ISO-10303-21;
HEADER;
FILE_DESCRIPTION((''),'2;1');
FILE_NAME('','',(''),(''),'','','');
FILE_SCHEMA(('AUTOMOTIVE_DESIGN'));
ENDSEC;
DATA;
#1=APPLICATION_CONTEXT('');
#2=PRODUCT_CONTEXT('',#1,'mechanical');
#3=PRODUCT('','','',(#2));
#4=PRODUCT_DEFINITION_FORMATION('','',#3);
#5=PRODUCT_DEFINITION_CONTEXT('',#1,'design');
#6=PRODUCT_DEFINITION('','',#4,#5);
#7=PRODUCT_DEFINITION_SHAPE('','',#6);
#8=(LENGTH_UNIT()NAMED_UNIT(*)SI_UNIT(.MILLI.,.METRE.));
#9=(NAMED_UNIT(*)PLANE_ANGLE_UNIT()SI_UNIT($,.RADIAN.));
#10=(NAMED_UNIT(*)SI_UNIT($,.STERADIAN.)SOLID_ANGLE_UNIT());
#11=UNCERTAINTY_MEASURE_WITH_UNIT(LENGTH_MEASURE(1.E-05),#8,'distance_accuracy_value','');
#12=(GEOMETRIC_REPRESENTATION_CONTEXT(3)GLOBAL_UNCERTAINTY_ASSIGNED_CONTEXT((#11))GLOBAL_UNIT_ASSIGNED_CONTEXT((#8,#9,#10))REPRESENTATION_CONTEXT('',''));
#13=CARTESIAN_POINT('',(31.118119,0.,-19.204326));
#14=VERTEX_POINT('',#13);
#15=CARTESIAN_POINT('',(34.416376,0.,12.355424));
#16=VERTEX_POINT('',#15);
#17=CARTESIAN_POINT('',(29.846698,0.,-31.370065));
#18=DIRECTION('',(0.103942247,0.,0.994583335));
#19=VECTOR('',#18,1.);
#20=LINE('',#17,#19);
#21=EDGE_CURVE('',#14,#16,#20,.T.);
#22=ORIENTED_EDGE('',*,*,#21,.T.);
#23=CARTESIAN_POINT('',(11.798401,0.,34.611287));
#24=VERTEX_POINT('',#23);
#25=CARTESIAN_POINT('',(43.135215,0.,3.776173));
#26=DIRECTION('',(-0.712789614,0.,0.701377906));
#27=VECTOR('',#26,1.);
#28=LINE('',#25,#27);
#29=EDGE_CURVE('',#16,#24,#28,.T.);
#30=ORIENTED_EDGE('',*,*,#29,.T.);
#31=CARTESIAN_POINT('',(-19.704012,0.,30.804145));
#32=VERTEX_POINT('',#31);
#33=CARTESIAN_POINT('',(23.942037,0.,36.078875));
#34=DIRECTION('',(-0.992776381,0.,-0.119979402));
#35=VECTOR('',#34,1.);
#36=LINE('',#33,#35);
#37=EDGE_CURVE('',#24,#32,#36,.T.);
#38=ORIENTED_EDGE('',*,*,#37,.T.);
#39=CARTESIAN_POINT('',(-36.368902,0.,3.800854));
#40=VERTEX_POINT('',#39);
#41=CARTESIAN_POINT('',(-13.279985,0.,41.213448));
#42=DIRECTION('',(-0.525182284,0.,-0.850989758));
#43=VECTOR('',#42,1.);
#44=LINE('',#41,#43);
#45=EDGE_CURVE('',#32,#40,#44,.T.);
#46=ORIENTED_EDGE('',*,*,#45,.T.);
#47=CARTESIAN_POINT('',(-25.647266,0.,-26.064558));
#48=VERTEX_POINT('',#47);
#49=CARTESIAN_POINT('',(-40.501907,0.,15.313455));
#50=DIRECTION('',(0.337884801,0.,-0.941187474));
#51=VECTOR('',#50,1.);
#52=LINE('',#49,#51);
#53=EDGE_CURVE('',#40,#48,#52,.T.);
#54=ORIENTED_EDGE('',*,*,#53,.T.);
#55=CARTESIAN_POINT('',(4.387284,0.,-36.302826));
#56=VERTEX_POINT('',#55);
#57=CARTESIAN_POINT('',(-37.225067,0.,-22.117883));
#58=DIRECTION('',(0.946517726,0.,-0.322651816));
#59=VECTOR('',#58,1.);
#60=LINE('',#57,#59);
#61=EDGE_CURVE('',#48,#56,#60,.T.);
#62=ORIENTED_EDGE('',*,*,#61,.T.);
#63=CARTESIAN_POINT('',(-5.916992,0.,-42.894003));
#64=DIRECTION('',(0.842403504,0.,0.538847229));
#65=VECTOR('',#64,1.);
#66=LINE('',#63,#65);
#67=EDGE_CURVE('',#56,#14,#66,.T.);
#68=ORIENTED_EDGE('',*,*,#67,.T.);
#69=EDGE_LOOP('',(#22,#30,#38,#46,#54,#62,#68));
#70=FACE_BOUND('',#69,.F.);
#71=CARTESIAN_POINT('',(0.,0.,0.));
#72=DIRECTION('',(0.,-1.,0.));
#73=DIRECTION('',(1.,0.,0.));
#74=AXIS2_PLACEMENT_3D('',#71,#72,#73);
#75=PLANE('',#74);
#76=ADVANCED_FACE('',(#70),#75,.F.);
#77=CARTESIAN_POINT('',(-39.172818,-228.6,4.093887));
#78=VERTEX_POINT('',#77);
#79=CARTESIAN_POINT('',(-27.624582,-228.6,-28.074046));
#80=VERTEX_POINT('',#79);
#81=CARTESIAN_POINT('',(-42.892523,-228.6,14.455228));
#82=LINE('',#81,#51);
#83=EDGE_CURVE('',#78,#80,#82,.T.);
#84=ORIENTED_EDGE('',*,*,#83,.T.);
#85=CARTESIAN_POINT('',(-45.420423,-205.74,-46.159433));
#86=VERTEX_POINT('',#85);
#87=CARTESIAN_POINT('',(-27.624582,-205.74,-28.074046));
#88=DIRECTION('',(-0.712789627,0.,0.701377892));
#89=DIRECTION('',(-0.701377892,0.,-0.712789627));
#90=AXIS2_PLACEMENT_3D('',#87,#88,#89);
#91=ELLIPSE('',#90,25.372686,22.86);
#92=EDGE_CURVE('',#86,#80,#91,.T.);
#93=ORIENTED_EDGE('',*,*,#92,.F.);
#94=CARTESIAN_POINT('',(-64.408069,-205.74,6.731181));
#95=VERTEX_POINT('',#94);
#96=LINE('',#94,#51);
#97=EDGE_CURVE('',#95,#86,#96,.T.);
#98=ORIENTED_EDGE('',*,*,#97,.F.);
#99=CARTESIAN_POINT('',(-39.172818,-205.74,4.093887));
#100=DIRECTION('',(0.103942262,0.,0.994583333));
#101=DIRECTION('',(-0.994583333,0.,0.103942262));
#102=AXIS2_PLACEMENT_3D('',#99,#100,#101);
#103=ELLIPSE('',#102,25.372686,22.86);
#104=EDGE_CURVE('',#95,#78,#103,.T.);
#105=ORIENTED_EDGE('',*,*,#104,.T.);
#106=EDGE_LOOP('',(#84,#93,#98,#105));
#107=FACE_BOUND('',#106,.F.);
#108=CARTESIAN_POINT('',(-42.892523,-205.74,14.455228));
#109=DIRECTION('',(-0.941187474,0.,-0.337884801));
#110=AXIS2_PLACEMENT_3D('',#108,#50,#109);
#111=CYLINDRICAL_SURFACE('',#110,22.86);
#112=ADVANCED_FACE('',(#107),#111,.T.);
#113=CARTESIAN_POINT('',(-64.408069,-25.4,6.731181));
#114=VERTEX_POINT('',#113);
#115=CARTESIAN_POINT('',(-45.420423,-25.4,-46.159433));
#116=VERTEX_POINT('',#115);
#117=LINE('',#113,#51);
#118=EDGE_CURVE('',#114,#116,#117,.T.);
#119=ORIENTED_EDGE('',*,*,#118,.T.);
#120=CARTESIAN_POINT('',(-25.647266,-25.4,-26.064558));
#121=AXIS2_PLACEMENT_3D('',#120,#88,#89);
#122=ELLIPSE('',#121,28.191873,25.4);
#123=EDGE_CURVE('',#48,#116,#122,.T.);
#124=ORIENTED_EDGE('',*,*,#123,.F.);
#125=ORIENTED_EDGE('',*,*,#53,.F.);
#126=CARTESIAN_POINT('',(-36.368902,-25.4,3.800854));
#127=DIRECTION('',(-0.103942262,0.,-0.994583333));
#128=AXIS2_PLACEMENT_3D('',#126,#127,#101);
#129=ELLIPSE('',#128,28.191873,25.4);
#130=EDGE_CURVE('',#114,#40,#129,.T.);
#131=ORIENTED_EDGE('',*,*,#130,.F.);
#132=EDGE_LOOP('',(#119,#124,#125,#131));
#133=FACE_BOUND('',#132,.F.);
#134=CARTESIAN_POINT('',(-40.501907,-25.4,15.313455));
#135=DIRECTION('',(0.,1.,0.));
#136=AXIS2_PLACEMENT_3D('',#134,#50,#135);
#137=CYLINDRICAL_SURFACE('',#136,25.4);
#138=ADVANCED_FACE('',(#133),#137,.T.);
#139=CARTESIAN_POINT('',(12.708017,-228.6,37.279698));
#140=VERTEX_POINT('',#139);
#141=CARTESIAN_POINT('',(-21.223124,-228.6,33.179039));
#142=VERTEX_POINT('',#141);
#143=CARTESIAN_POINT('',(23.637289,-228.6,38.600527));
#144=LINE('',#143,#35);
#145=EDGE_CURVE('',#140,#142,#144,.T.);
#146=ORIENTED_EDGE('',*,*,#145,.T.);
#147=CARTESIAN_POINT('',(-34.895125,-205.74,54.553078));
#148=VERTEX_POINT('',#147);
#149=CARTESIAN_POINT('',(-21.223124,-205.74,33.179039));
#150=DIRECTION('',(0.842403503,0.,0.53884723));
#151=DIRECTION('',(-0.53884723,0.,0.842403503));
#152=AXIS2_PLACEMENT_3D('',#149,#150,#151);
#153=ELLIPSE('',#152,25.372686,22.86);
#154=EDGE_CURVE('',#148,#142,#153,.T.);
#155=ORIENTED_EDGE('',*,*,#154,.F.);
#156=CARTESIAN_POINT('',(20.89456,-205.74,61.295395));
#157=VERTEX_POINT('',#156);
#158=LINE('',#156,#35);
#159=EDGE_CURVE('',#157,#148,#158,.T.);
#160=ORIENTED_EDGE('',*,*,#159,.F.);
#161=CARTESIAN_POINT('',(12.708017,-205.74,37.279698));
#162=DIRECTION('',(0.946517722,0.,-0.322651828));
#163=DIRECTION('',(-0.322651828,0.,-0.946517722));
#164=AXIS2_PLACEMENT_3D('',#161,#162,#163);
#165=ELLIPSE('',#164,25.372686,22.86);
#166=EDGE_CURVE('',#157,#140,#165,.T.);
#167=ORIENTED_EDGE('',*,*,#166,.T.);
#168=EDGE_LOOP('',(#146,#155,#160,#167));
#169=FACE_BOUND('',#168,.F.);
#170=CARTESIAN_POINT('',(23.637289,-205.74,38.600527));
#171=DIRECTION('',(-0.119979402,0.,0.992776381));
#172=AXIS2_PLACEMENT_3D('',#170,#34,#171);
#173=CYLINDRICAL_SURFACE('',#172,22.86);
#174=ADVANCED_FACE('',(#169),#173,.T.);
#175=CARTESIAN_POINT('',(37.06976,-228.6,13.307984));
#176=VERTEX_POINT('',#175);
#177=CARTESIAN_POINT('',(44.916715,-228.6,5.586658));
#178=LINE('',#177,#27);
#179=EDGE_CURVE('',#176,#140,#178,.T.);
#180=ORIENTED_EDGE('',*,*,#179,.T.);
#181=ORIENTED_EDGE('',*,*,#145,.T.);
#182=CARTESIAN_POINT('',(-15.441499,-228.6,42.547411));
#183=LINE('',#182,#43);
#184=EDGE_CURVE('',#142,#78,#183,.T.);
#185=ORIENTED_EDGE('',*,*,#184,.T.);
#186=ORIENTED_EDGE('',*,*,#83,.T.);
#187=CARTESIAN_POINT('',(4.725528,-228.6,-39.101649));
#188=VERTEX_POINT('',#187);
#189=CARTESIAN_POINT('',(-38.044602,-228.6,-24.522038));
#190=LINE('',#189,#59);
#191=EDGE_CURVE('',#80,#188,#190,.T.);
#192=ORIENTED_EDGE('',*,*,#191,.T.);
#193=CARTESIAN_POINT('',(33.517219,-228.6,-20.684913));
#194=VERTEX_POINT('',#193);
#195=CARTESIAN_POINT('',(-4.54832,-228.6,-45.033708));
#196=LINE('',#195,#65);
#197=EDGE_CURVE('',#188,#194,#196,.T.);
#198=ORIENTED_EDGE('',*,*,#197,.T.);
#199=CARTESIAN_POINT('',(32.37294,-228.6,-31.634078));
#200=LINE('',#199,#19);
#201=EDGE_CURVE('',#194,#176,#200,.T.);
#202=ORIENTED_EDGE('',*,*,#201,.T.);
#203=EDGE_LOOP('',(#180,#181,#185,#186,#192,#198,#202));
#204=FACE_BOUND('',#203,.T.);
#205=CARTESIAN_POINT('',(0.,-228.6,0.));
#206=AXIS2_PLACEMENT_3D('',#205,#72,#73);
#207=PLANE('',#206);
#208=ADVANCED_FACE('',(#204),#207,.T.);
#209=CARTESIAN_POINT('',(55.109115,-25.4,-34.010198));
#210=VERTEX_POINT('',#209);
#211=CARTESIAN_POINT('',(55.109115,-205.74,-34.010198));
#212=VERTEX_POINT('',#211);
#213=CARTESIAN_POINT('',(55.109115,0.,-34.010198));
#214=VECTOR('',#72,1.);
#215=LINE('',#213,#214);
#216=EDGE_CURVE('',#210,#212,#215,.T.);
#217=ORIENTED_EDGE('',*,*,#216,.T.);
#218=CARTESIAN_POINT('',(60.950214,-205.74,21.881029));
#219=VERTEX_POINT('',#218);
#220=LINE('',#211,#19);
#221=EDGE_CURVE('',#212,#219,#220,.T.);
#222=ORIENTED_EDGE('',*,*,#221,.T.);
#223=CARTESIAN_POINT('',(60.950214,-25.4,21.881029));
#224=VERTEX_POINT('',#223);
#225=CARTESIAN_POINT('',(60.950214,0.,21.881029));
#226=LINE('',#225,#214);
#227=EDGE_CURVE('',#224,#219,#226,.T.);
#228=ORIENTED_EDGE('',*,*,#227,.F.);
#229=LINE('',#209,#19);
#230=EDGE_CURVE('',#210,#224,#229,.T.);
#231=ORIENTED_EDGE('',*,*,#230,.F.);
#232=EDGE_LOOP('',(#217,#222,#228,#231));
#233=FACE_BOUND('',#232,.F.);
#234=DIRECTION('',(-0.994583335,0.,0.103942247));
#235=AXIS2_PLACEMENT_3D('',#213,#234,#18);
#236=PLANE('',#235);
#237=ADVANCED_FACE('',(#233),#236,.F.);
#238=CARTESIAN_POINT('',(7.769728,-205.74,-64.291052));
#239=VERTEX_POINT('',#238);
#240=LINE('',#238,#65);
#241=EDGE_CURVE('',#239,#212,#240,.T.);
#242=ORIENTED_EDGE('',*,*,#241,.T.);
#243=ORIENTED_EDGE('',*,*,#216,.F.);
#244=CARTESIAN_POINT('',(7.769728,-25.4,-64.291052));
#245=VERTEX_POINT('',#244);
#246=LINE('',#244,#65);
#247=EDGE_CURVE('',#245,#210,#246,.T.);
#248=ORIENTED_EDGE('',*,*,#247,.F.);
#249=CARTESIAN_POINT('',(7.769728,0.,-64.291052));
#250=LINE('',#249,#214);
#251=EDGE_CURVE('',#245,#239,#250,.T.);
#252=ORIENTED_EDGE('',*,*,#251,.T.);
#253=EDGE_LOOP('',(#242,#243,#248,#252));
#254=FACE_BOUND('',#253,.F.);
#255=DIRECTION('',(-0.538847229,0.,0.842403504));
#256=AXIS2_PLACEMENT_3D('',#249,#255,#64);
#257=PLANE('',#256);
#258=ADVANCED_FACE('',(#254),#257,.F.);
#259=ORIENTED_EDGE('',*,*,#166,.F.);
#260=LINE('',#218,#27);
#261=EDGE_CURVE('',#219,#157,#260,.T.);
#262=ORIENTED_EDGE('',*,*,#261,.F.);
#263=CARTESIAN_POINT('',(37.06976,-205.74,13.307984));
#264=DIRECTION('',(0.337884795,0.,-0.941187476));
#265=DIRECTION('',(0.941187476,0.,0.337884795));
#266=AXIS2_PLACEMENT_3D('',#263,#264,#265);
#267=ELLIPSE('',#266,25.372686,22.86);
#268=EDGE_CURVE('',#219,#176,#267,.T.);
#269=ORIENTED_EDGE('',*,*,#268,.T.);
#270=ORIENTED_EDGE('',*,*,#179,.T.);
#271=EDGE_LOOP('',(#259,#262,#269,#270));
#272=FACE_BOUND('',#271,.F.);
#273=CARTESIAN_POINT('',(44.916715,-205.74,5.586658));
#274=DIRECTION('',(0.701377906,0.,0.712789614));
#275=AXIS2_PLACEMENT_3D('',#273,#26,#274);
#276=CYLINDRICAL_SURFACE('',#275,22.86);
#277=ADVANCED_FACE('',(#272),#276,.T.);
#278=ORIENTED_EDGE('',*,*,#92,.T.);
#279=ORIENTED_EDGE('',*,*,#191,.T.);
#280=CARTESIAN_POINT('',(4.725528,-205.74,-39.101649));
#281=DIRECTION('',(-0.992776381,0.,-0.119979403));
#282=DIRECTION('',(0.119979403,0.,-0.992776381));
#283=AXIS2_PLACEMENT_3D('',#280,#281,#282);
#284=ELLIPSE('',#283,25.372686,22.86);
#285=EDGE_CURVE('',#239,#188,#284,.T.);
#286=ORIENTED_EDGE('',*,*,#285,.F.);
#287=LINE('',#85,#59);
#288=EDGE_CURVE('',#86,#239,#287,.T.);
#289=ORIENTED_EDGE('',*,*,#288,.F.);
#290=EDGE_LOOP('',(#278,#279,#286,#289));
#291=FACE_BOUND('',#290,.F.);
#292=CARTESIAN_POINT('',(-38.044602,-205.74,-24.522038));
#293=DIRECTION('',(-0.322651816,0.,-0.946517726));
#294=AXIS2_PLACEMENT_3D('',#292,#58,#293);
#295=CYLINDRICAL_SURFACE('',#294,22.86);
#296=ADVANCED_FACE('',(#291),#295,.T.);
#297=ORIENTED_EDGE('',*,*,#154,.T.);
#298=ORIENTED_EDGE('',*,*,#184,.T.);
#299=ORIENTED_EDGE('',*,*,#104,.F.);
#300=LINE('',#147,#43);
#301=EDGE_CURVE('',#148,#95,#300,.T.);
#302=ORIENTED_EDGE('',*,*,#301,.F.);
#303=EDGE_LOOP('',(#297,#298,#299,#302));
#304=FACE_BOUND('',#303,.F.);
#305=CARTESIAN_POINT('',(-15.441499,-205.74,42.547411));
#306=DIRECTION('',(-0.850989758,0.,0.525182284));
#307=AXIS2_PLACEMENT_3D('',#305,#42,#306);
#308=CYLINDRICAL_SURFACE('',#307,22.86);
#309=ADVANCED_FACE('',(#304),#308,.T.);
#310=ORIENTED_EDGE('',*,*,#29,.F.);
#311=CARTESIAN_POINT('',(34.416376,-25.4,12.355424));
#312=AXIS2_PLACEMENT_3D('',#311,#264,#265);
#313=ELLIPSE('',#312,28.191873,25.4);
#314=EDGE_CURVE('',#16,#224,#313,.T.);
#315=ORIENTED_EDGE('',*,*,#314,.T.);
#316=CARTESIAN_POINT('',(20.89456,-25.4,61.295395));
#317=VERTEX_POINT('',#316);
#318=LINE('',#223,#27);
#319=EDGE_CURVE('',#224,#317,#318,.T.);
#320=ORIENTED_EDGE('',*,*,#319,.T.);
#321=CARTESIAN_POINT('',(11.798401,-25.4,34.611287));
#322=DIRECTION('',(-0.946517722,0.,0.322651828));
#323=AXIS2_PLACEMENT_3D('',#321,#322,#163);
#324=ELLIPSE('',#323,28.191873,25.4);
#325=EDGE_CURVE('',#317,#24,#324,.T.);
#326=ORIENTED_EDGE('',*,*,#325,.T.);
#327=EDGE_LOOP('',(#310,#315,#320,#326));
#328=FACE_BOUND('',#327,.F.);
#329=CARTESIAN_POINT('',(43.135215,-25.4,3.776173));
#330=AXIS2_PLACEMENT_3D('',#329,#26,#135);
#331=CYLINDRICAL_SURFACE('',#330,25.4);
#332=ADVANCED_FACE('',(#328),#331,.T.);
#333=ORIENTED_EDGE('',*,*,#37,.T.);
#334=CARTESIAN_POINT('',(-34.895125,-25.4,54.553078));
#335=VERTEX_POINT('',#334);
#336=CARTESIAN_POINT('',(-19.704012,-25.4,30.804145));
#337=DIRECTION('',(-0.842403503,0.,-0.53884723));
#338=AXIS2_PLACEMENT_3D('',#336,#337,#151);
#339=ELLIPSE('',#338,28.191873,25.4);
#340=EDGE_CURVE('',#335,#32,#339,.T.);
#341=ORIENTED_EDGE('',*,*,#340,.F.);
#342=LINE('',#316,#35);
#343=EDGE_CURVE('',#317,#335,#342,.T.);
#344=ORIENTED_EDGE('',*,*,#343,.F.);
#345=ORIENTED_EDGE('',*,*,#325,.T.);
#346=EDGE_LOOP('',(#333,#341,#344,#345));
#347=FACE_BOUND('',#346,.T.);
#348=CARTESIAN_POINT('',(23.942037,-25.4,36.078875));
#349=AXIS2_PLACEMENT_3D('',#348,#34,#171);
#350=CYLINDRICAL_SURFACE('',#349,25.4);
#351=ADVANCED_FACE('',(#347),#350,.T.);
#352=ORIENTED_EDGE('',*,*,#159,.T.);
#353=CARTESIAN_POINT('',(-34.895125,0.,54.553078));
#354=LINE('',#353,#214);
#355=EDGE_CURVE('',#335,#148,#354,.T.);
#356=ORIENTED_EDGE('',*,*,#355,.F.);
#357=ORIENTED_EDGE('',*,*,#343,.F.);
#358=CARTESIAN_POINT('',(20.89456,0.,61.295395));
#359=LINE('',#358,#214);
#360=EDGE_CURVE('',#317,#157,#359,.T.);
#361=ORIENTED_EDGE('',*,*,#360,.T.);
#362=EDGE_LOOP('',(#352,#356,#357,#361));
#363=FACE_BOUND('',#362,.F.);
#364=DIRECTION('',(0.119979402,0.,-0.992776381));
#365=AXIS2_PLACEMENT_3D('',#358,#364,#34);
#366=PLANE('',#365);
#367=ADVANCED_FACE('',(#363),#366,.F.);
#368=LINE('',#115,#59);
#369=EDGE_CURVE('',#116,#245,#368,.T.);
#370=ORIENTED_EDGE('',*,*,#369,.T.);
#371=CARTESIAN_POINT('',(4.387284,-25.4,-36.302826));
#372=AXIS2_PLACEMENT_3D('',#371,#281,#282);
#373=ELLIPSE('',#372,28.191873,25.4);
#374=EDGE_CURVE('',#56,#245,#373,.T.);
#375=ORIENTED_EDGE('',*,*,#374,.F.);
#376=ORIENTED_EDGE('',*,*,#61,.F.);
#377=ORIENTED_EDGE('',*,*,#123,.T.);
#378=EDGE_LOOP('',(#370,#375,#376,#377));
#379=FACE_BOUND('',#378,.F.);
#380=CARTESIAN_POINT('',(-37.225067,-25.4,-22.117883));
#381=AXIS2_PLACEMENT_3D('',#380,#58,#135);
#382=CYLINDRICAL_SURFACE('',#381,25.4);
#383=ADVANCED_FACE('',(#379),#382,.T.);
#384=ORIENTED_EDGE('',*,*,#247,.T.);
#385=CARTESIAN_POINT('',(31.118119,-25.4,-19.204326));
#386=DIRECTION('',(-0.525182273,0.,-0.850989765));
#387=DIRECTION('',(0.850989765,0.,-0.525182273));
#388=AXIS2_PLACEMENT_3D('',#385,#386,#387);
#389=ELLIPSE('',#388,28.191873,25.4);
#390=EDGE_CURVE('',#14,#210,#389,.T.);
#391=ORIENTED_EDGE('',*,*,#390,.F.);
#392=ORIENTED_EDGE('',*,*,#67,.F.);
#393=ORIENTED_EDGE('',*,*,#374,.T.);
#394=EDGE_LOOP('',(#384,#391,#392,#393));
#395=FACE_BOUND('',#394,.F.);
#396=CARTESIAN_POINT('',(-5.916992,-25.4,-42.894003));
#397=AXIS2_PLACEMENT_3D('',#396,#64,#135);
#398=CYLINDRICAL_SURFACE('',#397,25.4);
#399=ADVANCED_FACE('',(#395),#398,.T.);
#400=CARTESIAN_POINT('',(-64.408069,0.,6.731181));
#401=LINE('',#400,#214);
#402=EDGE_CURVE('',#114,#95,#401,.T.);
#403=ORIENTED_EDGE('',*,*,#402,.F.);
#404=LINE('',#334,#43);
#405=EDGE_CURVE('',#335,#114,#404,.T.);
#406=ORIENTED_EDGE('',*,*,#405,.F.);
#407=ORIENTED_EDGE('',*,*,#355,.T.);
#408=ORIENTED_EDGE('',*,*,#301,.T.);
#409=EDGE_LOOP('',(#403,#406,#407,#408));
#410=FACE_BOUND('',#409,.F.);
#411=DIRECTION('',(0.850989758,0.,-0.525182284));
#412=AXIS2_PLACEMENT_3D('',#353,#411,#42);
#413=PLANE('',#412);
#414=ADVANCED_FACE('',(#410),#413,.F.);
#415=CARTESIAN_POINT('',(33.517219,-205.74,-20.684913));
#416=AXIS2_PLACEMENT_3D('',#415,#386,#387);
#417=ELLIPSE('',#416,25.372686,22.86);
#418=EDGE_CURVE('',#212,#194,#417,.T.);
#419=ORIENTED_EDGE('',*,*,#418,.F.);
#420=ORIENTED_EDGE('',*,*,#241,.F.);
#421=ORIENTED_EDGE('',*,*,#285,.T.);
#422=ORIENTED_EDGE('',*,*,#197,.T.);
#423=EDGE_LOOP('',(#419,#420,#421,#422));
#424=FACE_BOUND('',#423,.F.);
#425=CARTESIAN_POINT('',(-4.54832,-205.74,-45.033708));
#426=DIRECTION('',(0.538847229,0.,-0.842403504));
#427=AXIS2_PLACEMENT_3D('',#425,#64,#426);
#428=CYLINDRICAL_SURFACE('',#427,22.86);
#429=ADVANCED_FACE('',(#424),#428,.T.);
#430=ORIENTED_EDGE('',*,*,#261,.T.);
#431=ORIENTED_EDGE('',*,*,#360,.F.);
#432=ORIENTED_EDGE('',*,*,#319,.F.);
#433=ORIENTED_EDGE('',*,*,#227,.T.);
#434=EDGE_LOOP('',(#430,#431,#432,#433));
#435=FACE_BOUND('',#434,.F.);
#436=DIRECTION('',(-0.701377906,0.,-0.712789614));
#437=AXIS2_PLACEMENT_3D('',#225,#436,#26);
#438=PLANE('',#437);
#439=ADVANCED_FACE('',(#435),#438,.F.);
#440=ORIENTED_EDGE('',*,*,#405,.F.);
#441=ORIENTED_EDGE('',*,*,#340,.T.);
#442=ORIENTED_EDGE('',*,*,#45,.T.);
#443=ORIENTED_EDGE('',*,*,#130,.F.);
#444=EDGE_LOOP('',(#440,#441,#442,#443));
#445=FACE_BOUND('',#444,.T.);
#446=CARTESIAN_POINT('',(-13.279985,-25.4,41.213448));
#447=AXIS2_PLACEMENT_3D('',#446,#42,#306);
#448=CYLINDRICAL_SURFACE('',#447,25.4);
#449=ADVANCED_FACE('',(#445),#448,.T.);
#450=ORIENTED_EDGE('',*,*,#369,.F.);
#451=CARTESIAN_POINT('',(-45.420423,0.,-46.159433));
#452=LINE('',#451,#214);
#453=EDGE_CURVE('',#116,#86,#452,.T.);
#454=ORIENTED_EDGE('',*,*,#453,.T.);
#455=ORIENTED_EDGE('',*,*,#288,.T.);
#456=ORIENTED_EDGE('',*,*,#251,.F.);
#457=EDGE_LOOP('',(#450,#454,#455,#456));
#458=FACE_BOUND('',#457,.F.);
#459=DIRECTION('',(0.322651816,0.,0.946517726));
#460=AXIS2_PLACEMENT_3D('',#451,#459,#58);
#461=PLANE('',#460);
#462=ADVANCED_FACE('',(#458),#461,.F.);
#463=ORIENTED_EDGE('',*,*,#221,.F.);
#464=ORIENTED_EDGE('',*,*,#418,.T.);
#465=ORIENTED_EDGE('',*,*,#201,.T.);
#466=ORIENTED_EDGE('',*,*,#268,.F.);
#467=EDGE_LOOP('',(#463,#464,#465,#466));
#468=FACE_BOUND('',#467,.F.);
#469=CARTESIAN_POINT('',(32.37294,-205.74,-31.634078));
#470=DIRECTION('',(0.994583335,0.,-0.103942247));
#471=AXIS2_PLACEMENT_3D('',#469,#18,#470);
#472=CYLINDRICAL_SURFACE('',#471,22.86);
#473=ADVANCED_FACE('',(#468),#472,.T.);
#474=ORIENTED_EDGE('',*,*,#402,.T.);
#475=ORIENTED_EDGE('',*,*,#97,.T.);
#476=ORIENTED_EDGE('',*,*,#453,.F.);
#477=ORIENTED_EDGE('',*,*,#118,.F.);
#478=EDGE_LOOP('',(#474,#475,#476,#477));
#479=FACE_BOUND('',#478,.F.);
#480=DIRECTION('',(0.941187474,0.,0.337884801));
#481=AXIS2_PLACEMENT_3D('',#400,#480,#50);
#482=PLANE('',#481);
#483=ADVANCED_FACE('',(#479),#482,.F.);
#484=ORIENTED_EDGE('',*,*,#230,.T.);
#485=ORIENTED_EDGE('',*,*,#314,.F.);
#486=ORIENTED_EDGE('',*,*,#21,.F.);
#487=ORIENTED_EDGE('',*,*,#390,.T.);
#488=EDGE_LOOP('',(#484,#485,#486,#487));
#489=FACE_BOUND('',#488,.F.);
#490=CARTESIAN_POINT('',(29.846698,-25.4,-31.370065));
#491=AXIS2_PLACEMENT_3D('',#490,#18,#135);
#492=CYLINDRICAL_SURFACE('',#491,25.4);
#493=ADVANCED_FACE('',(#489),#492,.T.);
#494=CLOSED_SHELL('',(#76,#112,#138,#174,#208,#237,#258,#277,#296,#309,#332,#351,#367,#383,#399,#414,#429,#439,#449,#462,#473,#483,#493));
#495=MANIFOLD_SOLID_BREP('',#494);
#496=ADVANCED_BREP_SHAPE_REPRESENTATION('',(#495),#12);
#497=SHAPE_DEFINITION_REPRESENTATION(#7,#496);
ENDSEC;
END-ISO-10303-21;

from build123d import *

# Parameters (mm, degrees)
F1_DEPTH = 228.6
F2_R     = 22.86
F3_R     = 25.4


with BuildPart() as f1:
    # F0 (on Front) → F1 (new body)
    with BuildSketch(Plane.XZ):
        Polygon((-34.895125, 54.553078), (-64.408069, 6.731181), (-45.420423, -46.159433), (7.769728, -64.291052), (55.109115, -34.010198), (60.950214, 21.881029), (20.89456, 61.295395), align=None)
    extrude(amount=F1_DEPTH)

    # F2
    f2_edges = [f1.edges().sort_by_distance(p)[0] for p in [
        (-7.000283, -228.6, 57.924237),
        (-49.651597, -228.6, 30.642129),
        (-54.914246, -228.6, -19.714126),
        (-18.825348, -228.6, -55.225243),
        (31.439421, -228.6, -49.150625),
        (58.029665, -228.6, -6.064584),
        (40.922387, -228.6, 41.588212),
    ]]
    fillet(f2_edges, radius=F2_R)

    # F3
    f3_edges = [f1.edges().sort_by_distance(p)[0] for p in [
        (-7.000283, 0, 57.924237),
        (-49.651597, 0, 30.642129),
        (-54.914246, 0, -19.714126),
        (-18.825348, 0, -55.225243),
        (31.439421, 0, -49.150625),
        (58.029665, 0, -6.064584),
        (40.922387, 0, 41.588212),
    ]]
    fillet(f3_edges, radius=F3_R)


solid = f1.part
